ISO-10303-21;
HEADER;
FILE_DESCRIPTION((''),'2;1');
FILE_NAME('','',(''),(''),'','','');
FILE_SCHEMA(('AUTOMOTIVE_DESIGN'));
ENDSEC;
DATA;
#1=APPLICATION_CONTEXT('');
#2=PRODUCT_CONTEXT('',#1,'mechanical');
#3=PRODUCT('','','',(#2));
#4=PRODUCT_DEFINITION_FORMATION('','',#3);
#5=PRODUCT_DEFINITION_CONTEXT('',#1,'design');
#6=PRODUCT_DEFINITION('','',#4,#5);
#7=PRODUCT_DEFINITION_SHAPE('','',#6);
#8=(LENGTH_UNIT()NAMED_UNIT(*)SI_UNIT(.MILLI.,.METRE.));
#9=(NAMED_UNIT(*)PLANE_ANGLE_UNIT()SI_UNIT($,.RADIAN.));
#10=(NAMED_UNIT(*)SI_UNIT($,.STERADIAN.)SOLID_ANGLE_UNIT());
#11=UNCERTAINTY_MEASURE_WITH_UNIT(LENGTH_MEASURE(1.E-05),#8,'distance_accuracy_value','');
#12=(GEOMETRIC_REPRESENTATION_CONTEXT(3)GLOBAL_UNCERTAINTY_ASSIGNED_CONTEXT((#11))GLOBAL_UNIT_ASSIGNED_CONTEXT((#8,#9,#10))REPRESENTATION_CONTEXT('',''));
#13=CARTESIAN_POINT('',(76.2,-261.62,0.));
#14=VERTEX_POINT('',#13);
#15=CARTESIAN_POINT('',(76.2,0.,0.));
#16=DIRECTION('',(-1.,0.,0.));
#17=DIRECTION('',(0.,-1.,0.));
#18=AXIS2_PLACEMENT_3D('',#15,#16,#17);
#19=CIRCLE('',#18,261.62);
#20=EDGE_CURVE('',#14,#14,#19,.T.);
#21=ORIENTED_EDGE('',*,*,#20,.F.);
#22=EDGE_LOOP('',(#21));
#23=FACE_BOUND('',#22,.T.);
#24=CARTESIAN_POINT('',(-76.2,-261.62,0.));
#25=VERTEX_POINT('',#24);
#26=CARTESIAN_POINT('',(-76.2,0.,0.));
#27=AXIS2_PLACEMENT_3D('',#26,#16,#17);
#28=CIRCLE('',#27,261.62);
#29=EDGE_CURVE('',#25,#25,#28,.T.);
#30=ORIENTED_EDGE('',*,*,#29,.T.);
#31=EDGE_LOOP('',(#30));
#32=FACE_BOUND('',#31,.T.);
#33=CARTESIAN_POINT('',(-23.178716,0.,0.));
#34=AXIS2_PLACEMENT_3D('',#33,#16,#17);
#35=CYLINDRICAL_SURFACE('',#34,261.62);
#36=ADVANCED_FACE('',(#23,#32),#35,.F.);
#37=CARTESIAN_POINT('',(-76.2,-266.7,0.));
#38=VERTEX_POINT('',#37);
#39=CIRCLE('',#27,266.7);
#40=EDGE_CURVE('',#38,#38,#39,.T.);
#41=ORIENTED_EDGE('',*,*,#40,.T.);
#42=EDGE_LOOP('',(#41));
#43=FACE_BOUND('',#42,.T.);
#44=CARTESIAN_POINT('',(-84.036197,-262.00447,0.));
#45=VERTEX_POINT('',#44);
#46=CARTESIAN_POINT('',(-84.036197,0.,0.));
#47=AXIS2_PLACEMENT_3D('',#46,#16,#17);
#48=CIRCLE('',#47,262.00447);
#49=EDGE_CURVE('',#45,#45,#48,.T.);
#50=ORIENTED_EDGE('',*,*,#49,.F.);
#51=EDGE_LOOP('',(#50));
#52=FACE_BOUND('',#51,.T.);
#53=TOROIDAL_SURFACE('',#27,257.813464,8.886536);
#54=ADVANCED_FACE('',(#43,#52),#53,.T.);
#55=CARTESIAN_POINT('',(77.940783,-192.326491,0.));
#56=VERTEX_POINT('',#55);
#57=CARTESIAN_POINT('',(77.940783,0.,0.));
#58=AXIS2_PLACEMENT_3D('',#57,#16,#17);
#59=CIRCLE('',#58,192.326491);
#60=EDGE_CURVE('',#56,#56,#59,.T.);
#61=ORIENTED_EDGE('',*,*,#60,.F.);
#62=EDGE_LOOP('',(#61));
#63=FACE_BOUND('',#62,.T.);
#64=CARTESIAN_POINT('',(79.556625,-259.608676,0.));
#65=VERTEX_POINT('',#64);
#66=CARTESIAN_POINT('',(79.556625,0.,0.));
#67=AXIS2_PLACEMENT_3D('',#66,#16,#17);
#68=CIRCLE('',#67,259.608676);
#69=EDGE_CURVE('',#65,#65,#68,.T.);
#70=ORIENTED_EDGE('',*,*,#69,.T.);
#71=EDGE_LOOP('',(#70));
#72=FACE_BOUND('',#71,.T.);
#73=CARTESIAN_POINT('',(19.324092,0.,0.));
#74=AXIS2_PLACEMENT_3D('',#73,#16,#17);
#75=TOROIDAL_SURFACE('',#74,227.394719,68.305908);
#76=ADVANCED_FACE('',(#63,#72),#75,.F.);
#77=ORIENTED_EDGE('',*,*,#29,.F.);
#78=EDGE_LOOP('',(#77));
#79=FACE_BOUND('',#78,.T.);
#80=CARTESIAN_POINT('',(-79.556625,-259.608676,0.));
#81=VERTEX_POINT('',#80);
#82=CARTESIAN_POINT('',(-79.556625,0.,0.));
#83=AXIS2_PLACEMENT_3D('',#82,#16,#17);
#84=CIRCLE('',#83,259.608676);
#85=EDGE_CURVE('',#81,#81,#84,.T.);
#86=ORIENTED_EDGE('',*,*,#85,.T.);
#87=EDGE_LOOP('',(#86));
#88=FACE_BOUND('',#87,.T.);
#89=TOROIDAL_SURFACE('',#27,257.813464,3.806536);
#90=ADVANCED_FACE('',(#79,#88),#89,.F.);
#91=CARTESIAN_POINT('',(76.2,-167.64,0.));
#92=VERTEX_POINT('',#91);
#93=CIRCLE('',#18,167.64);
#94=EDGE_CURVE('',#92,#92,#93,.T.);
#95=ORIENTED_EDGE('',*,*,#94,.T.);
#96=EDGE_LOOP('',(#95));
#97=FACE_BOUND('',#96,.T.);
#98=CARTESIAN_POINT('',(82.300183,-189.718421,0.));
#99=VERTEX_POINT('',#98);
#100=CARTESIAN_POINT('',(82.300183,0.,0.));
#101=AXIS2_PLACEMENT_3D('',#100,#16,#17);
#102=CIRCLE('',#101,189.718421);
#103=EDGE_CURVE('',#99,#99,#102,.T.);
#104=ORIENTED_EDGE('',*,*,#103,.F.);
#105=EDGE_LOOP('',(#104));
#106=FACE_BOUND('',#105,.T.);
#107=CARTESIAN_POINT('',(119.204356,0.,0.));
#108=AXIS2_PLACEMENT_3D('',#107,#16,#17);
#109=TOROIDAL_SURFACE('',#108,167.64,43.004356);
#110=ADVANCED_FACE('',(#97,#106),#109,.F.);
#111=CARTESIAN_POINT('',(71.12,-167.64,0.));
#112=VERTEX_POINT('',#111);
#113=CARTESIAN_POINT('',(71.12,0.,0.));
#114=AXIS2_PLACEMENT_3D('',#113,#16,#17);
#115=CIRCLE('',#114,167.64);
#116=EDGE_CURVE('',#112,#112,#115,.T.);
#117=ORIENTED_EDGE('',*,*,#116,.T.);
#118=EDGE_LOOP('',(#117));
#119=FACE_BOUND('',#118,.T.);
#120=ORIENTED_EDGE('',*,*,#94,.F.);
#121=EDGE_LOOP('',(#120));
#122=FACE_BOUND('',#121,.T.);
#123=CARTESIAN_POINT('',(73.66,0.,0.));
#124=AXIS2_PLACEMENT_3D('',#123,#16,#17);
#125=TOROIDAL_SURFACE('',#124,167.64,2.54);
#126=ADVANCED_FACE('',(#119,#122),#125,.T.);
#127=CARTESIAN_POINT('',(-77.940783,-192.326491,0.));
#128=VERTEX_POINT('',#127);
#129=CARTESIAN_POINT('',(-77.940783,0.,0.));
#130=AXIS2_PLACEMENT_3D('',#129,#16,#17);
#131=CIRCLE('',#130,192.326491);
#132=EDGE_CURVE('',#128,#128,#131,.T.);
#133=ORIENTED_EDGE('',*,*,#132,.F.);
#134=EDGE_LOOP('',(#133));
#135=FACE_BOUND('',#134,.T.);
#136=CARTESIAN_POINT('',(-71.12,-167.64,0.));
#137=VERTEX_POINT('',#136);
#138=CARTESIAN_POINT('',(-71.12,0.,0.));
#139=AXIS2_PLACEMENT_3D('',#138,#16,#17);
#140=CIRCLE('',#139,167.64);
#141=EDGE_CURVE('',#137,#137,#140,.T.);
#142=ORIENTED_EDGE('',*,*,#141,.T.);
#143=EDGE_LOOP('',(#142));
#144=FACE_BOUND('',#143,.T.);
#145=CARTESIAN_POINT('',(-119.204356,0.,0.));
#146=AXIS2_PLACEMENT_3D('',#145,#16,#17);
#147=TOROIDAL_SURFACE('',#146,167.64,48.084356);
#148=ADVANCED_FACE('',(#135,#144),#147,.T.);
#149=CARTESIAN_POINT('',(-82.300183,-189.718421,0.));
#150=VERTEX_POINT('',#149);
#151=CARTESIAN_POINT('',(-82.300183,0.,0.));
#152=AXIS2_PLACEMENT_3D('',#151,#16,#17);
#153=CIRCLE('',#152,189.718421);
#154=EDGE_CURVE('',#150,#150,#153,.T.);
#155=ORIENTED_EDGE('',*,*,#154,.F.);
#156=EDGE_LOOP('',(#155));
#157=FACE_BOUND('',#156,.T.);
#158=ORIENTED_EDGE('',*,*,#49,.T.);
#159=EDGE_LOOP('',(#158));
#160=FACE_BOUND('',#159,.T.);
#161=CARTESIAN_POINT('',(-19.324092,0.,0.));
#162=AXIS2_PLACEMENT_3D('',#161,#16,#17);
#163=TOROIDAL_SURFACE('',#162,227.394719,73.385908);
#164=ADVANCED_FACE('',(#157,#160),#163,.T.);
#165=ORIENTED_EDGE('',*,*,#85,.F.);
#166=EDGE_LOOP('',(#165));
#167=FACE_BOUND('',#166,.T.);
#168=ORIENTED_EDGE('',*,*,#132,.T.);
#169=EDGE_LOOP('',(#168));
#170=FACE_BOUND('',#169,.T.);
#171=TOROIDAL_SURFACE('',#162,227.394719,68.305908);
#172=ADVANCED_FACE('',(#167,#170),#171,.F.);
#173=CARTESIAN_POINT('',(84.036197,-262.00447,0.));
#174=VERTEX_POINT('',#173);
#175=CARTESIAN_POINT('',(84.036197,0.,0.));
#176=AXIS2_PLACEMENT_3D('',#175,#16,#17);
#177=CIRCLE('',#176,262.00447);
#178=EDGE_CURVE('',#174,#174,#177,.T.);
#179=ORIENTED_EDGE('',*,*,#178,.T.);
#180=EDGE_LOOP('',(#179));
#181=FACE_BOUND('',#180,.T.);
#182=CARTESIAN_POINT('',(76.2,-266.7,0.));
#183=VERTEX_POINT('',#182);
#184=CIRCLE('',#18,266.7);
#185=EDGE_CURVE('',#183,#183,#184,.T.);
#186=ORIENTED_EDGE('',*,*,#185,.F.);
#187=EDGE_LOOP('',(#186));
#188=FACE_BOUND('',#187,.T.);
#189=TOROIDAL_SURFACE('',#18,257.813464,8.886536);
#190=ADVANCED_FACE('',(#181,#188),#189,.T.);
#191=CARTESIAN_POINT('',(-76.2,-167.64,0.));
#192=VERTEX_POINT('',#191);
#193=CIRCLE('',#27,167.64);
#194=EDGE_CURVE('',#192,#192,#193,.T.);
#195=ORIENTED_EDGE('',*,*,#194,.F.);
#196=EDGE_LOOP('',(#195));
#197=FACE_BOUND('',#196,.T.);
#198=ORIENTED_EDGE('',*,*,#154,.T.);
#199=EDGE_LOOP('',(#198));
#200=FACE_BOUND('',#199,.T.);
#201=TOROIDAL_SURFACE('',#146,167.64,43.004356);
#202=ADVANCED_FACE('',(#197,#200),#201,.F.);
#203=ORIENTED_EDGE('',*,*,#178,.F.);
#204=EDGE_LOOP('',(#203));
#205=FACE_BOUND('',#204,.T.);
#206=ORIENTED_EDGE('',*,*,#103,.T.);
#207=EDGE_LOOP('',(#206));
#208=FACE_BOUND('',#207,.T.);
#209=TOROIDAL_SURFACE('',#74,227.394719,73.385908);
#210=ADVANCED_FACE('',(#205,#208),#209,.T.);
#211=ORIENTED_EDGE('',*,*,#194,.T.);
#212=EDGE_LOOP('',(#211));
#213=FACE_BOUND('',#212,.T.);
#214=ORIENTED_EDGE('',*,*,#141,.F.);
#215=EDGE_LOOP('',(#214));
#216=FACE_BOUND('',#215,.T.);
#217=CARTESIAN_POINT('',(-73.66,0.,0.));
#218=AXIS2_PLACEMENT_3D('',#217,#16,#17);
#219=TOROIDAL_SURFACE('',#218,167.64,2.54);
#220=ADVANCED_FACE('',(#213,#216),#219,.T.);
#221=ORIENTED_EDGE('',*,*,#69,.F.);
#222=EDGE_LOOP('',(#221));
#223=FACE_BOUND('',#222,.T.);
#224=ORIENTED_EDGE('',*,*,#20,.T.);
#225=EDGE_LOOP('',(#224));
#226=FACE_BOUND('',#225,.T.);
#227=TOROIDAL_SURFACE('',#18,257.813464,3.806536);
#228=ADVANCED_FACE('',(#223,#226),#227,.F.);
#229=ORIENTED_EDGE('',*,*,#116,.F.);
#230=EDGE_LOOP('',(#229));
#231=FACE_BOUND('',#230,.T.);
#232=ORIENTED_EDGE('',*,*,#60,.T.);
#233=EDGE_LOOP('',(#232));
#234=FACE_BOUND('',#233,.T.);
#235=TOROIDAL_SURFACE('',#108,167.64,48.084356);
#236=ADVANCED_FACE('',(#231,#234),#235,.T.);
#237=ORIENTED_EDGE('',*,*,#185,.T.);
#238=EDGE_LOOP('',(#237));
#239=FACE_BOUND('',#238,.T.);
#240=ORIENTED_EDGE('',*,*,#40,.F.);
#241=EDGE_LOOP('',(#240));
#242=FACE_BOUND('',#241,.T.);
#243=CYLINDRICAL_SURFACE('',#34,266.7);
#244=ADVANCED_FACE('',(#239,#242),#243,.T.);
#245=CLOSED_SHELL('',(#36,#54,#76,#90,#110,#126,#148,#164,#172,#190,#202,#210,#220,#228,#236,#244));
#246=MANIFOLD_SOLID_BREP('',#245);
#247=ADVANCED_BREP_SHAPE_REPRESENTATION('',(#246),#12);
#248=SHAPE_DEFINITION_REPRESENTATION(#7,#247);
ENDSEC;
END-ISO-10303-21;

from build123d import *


with BuildPart() as part:
    # Sketch3 → Tire (revolve)
    with BuildSketch(Plane.XY):
        with BuildLine():
            Line((-76.2, 266.7), (76.2, 266.7))
            ThreePointArc((76.2, 266.7), (80.767657764, 265.436260402), (84.036197426, 262.004470242))
            ThreePointArc((84.036197426, 262.004470242), (92.688846001, 225.632798379), (82.300183103, 189.718420692))
            ThreePointArc((82.300183103, 189.718420692), (77.753090494, 179.092826007), (76.2, 167.64))
            ThreePointArc((76.2, 167.64), (73.66, 165.1), (71.12, 167.64))
            ThreePointArc((71.12, 167.64), (72.856553296, 180.445720486), (77.940782895, 192.326490828))
            ThreePointArc((77.940782895, 192.326490828), (87.610310346, 225.754763968), (79.556624926, 259.608675965))
            ThreePointArc((79.556624926, 259.608675965), (78.156550234, 261.078678795), (76.2, 261.62))
            Line((76.2, 261.62), (-76.2, 261.62))
            ThreePointArc((-76.2, 261.62), (-78.156550234, 261.078678795), (-79.556624926, 259.608675965))
            ThreePointArc((-79.556624926, 259.608675965), (-87.610310346, 225.754763968), (-77.940782895, 192.326490828))
            ThreePointArc((-77.940782895, 192.326490828), (-72.856553296, 180.445720486), (-71.12, 167.64))
            ThreePointArc((-71.12, 167.64), (-73.66, 165.1), (-76.2, 167.64))
            ThreePointArc((-76.2, 167.64), (-77.753090494, 179.092826007), (-82.300183103, 189.718420692))
            ThreePointArc((-82.300183103, 189.718420692), (-92.688846001, 225.632798379), (-84.036197426, 262.004470242))
            ThreePointArc((-84.036197426, 262.004470242), (-80.767657764, 265.436260402), (-76.2, 266.7))
        make_face()
    revolve(axis=Axis((-23.17871602, 0, 0), (1, 0, 0)))


solid = part.part
